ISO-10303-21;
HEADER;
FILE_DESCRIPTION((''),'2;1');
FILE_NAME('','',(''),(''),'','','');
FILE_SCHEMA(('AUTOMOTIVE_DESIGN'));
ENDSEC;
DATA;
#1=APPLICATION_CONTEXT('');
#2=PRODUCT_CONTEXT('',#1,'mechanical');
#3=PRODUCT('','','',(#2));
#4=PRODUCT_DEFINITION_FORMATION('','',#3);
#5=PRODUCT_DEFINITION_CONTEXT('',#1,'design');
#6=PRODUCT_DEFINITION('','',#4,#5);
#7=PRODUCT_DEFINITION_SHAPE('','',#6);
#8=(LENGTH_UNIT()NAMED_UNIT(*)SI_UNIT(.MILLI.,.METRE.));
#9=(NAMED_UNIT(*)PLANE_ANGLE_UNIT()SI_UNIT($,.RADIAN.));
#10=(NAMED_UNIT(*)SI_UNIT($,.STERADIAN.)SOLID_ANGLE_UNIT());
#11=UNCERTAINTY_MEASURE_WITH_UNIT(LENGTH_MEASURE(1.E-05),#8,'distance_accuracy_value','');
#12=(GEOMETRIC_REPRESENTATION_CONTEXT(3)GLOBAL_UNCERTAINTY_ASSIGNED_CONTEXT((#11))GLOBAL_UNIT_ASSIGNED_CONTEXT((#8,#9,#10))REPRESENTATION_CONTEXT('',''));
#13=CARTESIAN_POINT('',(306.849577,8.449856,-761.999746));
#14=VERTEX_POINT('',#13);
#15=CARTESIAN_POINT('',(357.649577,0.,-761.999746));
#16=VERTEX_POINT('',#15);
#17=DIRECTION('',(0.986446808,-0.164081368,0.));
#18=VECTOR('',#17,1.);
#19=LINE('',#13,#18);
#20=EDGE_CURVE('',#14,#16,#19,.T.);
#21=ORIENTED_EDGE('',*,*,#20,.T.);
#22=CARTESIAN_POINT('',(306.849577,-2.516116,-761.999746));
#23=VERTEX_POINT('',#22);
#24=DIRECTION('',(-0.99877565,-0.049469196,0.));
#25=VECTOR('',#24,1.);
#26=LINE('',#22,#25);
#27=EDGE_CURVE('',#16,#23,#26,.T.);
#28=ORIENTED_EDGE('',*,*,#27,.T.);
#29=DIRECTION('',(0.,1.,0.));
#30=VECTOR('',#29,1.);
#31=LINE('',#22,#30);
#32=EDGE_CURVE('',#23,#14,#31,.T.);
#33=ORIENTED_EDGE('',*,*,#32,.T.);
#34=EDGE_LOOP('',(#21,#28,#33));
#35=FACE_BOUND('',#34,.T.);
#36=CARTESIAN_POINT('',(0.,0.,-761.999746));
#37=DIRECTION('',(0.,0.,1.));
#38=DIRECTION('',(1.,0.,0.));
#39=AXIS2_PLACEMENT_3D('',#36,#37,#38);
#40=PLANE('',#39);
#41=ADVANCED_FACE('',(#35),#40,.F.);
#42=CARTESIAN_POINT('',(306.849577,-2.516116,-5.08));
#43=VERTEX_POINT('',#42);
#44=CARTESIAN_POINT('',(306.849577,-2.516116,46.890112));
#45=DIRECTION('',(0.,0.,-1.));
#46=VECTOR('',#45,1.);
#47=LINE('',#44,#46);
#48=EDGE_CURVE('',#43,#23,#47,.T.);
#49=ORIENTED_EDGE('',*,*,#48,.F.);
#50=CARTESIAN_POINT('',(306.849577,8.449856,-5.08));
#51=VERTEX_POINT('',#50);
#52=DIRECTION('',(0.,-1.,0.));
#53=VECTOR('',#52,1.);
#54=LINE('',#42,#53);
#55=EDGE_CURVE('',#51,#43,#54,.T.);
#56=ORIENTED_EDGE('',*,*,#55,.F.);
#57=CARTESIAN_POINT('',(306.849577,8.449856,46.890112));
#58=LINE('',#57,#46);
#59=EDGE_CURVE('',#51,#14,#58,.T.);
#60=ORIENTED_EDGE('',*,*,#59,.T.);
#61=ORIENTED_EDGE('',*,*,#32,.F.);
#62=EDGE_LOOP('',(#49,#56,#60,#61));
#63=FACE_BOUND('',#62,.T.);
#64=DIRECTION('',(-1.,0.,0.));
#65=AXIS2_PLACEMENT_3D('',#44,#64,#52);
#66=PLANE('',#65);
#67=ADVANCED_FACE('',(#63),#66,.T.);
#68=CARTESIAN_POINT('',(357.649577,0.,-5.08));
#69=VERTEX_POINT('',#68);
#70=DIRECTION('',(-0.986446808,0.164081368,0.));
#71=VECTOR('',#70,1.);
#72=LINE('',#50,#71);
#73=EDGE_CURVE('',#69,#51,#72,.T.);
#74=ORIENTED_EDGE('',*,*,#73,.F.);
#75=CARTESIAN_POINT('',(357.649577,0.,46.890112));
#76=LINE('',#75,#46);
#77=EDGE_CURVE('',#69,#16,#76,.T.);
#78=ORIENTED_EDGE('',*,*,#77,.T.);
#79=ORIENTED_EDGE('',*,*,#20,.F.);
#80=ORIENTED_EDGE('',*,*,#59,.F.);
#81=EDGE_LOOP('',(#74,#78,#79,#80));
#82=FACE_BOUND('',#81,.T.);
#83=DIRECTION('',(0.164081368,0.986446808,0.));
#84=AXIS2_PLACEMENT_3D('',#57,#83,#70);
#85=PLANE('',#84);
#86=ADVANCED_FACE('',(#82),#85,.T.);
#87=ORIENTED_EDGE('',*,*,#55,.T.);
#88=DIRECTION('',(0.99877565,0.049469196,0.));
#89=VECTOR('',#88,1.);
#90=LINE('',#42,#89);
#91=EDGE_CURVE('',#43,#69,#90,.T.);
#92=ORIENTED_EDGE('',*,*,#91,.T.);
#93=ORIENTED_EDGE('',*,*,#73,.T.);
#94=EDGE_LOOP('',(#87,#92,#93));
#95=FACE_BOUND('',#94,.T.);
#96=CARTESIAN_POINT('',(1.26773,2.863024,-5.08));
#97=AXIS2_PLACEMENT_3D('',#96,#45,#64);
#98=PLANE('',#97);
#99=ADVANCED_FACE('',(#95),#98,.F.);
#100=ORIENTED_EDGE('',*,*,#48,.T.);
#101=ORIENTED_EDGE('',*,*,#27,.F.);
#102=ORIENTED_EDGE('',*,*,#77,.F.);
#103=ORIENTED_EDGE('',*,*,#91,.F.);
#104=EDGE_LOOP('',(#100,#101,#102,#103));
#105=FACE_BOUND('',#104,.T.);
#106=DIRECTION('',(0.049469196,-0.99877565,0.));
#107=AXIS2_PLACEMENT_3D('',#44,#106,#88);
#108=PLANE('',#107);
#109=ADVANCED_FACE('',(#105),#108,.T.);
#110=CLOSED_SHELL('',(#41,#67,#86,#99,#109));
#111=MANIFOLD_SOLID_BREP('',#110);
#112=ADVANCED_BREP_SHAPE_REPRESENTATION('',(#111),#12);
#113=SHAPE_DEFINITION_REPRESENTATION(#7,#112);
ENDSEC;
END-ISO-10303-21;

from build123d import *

# Parameters (mm, degrees)
BOSS_EXTRUDE2_DEPTH = 756.919746


with BuildPart() as part:
    # Sketch2 → Boss-Extrude2 (new body)
    with BuildSketch(Plane(origin=(0, 0, -761.999746), x_dir=(-1, 0, 0), z_dir=(0, 0, -1))):
        Polygon((-306.8495768, -2.516115741), (-306.8495768, 8.449856001), (-357.6495768, 0), align=None)
    extrude(amount=-BOSS_EXTRUDE2_DEPTH)


solid = part.part
